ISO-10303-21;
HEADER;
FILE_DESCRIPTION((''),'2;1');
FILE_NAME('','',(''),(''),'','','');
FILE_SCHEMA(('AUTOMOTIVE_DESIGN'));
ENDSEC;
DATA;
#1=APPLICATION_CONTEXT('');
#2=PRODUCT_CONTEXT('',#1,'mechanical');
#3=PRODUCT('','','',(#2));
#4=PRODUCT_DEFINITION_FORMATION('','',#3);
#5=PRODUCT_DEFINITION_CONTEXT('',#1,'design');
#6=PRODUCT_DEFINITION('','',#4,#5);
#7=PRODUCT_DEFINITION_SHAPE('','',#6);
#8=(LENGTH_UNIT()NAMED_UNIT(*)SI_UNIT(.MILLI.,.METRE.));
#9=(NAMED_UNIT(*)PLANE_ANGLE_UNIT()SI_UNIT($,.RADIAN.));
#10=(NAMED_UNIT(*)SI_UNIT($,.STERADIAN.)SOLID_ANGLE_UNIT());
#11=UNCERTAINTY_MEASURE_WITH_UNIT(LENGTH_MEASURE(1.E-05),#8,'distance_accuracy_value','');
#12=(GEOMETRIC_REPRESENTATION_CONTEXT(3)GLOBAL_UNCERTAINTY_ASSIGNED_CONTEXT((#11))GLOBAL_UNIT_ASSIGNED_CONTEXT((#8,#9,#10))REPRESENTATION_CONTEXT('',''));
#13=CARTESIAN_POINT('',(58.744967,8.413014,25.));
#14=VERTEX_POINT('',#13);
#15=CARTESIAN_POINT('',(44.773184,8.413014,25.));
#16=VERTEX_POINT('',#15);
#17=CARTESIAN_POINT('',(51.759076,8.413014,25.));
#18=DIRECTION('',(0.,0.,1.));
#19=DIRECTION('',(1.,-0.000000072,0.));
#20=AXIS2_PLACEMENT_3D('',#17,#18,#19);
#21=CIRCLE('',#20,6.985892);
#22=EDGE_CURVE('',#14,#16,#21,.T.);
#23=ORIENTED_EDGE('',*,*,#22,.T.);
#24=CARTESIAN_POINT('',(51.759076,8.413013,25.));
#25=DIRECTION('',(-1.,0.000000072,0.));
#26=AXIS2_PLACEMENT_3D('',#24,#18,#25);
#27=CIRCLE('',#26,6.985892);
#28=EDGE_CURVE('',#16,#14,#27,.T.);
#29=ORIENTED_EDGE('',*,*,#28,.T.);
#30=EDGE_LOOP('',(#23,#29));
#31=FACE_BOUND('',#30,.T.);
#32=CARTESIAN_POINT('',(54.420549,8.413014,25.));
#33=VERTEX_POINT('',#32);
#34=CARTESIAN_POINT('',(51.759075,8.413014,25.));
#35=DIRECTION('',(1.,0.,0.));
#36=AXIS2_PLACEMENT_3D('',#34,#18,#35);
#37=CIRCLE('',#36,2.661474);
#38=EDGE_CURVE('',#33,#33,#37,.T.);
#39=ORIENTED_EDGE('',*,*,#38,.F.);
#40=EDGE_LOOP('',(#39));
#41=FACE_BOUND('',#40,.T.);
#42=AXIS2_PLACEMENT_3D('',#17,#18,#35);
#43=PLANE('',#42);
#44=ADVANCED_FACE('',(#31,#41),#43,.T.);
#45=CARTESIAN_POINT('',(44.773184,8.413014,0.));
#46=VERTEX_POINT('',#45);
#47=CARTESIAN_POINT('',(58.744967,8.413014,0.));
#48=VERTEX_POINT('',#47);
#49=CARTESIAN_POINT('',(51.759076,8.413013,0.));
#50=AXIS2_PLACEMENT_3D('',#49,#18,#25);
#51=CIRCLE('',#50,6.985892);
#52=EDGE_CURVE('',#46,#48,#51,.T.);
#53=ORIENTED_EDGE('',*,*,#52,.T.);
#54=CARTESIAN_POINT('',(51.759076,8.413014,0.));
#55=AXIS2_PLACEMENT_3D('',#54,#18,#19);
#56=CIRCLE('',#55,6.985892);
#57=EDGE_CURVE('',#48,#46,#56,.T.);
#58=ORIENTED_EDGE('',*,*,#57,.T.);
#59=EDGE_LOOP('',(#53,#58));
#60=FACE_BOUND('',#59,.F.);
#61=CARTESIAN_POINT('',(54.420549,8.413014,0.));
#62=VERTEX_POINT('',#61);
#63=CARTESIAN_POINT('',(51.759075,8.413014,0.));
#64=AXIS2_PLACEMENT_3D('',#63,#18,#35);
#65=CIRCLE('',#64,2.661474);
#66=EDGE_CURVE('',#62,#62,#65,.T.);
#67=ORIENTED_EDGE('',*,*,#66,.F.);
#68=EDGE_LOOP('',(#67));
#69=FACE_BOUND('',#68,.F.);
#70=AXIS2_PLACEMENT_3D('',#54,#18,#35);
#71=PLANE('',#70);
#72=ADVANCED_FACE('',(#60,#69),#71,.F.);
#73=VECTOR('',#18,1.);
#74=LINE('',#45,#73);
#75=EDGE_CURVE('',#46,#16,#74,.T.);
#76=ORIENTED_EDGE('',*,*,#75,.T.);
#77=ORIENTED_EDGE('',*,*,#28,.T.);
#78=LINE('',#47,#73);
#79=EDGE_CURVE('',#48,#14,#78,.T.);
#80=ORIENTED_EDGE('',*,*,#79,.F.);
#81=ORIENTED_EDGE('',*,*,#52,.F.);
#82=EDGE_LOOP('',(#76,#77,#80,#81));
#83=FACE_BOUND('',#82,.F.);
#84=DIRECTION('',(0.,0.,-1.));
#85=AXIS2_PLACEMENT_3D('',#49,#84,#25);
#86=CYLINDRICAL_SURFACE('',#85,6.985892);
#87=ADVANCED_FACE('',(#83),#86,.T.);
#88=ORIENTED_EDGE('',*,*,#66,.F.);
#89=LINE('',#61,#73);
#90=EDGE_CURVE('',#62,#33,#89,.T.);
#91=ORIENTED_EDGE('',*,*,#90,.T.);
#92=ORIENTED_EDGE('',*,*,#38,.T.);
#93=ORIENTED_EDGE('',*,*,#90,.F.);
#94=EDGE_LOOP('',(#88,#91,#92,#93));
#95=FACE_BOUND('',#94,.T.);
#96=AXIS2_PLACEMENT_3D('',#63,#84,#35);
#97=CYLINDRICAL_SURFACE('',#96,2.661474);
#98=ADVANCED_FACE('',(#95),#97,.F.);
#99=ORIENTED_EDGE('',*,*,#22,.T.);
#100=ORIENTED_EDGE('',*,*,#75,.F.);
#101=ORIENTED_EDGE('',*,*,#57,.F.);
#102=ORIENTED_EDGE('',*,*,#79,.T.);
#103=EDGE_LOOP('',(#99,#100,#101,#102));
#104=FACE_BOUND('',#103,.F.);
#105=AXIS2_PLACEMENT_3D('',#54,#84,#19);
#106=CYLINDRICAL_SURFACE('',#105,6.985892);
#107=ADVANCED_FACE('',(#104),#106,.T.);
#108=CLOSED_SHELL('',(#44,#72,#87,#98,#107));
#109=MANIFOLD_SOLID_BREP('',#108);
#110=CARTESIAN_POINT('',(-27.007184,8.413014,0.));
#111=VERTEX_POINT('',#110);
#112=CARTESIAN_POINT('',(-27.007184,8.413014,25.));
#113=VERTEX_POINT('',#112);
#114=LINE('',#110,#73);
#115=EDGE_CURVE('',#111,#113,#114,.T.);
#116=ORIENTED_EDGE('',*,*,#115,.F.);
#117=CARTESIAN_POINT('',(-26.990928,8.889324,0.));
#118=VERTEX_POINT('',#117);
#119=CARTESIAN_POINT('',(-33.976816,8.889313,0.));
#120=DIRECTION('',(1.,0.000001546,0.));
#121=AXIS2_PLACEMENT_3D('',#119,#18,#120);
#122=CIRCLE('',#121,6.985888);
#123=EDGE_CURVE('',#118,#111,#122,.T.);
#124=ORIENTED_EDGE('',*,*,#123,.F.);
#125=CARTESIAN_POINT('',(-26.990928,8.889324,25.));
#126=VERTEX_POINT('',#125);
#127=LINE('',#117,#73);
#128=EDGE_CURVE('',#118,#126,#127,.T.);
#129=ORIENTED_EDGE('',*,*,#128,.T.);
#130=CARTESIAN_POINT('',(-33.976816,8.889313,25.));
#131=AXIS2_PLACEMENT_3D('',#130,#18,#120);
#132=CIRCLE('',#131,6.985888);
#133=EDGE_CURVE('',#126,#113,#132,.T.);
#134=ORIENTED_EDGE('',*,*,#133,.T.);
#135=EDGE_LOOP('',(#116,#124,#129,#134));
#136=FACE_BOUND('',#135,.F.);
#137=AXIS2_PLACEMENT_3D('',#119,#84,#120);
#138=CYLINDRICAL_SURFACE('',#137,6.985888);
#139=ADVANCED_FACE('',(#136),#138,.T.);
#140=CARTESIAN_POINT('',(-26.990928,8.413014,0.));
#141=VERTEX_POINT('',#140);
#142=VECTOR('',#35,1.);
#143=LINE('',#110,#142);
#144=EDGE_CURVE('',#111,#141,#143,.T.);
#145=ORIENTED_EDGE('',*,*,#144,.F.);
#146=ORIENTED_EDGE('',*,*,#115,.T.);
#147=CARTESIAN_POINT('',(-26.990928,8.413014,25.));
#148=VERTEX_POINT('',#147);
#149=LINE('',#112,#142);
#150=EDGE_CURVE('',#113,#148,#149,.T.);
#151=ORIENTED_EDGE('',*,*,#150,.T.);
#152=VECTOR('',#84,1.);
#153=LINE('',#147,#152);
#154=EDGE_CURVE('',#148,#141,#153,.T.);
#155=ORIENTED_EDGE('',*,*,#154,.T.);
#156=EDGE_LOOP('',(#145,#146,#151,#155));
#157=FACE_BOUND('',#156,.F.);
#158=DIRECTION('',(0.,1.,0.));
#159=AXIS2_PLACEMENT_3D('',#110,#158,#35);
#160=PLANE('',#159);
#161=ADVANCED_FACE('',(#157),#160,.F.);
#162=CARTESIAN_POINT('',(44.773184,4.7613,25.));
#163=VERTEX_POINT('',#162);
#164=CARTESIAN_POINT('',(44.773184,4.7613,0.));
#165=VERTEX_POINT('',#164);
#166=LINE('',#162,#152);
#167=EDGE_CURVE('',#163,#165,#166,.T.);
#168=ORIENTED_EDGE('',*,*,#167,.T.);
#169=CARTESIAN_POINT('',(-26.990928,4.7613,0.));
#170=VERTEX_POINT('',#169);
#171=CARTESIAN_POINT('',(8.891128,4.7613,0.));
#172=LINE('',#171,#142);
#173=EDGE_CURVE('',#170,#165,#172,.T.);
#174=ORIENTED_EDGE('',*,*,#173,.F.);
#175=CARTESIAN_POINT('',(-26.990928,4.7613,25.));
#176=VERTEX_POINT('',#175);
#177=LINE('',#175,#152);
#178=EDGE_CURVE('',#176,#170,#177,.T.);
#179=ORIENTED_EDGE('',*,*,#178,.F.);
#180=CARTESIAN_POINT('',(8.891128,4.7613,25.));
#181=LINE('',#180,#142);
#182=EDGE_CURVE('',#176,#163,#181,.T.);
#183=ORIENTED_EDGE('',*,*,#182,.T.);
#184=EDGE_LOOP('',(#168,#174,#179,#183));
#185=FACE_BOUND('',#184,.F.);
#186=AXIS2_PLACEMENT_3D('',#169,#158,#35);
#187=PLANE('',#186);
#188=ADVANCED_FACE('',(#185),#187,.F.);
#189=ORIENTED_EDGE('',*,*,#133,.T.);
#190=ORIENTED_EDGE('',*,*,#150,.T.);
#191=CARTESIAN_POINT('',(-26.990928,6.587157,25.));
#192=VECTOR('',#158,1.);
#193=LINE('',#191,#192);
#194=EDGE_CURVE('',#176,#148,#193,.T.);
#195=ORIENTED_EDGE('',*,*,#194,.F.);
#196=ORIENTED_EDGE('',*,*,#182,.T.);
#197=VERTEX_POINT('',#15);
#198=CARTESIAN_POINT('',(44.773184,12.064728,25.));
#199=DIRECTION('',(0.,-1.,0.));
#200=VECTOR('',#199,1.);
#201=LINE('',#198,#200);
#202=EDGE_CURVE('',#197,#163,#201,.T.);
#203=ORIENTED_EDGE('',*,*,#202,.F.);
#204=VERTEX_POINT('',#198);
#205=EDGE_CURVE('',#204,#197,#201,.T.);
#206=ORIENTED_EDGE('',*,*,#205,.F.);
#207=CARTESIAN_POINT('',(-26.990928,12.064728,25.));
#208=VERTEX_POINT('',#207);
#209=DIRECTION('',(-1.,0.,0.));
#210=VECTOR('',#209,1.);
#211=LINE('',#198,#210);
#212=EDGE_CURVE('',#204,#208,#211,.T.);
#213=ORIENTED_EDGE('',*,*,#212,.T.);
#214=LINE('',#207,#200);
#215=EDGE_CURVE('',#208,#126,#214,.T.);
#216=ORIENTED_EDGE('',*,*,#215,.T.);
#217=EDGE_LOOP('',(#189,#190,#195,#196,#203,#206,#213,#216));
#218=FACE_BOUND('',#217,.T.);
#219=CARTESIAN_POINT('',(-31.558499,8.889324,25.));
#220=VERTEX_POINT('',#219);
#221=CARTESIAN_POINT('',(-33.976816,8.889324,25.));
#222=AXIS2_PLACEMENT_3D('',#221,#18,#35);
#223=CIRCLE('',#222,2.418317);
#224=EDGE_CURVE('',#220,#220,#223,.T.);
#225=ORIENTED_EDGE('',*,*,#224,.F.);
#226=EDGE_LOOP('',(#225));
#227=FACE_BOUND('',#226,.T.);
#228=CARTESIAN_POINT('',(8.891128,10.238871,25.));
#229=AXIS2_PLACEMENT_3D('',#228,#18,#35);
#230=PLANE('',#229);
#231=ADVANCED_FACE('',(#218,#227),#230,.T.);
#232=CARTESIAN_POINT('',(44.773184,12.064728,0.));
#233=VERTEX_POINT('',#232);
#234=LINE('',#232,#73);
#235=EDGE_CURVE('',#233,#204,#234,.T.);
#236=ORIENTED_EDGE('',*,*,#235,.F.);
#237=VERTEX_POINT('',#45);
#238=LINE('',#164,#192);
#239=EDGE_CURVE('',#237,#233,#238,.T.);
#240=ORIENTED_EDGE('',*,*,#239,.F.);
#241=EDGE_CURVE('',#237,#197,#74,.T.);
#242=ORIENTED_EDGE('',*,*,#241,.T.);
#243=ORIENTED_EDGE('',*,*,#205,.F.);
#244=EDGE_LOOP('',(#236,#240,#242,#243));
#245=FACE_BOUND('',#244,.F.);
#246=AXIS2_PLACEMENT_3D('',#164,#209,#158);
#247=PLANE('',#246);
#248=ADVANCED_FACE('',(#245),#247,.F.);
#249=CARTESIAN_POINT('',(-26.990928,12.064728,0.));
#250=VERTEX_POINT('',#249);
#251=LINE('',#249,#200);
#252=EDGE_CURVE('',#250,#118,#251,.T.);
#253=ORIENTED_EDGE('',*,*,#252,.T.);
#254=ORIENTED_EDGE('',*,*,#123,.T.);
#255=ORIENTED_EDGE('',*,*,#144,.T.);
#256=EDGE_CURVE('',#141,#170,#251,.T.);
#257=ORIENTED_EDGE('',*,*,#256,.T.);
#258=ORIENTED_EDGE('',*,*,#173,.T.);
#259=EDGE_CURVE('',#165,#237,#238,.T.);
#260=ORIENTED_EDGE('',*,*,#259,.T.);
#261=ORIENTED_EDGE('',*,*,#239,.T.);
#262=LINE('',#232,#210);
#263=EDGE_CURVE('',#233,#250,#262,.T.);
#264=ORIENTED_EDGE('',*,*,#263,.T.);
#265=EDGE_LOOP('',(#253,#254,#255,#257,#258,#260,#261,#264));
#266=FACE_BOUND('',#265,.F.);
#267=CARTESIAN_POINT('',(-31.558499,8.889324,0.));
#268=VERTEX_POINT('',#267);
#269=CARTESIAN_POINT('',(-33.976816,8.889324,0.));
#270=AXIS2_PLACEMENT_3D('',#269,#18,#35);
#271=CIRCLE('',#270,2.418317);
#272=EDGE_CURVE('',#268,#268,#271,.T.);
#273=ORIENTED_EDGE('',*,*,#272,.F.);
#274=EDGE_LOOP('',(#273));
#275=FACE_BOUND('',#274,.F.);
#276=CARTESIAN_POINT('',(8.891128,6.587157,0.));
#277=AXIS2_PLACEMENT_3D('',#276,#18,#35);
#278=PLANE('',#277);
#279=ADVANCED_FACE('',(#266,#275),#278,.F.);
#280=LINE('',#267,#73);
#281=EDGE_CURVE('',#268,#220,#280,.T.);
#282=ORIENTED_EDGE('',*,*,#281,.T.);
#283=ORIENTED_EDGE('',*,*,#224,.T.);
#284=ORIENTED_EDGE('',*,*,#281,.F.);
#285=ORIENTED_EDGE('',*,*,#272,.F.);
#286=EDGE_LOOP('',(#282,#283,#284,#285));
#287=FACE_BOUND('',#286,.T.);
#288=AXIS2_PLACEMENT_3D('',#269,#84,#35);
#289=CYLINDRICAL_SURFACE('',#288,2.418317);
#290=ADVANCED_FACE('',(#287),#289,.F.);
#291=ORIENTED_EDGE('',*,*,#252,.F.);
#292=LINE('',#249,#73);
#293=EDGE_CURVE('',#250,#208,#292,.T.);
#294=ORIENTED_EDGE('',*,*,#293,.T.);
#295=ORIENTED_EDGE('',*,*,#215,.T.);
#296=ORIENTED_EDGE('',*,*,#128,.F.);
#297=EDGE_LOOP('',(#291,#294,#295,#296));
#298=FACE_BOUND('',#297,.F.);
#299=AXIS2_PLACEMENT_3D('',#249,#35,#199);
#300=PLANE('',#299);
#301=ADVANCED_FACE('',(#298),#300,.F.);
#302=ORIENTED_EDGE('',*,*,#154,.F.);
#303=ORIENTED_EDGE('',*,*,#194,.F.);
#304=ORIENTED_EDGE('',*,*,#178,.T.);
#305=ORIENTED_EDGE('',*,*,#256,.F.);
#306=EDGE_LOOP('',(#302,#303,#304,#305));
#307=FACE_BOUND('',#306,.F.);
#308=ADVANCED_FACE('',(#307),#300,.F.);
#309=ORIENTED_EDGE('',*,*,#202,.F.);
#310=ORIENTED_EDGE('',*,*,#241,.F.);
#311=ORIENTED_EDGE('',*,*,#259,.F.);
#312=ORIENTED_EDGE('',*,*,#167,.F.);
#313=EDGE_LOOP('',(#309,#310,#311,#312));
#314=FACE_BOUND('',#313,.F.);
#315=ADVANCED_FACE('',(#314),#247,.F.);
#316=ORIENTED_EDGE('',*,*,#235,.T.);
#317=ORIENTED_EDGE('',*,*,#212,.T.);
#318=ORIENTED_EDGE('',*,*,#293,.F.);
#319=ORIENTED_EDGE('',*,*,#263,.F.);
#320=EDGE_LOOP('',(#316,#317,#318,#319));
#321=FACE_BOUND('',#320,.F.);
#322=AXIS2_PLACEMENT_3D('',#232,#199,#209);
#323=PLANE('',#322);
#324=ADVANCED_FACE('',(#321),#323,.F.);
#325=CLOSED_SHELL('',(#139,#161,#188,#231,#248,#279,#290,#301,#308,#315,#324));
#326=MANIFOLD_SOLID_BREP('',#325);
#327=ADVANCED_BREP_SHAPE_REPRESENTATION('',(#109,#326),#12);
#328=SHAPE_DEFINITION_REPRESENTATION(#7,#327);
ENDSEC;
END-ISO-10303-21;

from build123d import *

# Parameters (mm, degrees)
F0_W     = 71.764112
F0_H     = 3.651714
F1_DEPTH = 3
F0_R     = 2.661474
F0_R_2   = 2.418317
F2_DEPTH = 25


with BuildPart() as f1:
    # F0 (on Top) → F1 (new body)
    with BuildSketch(Plane.XY):
        with Locations((8.891128, 6.587157)):
            Rectangle(F0_W, F0_H)
        Polygon((44.773184, 12.064728), (-26.990928, 12.064728), (-26.990928, 8.889324), (-26.990928, 8.413014), (44.773184, 8.413014), align=None)
    extrude(amount=F1_DEPTH)

    # F0 (on Top) → F2 (join)
    with BuildSketch(Plane.XY):
        with BuildLine():
            ThreePointArc((58.744967, 8.413014), (51.759075, 15.398906), (44.773184, 8.413014))
            ThreePointArc((44.773184, 8.413014), (51.759075, 1.427122), (58.744967, 8.413014))
        make_face()
        with Locations((51.759075, 8.413014)):
            Circle(F0_R, mode=Mode.SUBTRACT)
        Polygon((44.773184, 12.064728), (-26.990928, 12.064728), (-26.990928, 8.889324), (-26.990928, 8.413014), (44.773184, 8.413014), align=None)
        with BuildLine():
            ThreePointArc((-27.007184, 8.413014), (-26.994993, 8.65103), (-26.990928, 8.889324))
            ThreePointArc((-26.990928, 8.889324), (-40.958638, 9.127618), (-27.007184, 8.413014))
        make_face()
        with Locations((-33.976816, 8.889324)):
            Circle(F0_R_2, mode=Mode.SUBTRACT)
        with BuildLine():
            Line((-26.990928, 8.413014), (-26.990928, 8.889324))
            ThreePointArc((-26.990928, 8.889324), (-26.994993, 8.65103), (-27.007184, 8.413014))
            Line((-27.007184, 8.413014), (-26.990928, 8.413014))
        make_face()
        with Locations((8.891128, 6.587157)):
            Rectangle(F0_W, F0_H)
    extrude(amount=F2_DEPTH)


solid = f1.part
